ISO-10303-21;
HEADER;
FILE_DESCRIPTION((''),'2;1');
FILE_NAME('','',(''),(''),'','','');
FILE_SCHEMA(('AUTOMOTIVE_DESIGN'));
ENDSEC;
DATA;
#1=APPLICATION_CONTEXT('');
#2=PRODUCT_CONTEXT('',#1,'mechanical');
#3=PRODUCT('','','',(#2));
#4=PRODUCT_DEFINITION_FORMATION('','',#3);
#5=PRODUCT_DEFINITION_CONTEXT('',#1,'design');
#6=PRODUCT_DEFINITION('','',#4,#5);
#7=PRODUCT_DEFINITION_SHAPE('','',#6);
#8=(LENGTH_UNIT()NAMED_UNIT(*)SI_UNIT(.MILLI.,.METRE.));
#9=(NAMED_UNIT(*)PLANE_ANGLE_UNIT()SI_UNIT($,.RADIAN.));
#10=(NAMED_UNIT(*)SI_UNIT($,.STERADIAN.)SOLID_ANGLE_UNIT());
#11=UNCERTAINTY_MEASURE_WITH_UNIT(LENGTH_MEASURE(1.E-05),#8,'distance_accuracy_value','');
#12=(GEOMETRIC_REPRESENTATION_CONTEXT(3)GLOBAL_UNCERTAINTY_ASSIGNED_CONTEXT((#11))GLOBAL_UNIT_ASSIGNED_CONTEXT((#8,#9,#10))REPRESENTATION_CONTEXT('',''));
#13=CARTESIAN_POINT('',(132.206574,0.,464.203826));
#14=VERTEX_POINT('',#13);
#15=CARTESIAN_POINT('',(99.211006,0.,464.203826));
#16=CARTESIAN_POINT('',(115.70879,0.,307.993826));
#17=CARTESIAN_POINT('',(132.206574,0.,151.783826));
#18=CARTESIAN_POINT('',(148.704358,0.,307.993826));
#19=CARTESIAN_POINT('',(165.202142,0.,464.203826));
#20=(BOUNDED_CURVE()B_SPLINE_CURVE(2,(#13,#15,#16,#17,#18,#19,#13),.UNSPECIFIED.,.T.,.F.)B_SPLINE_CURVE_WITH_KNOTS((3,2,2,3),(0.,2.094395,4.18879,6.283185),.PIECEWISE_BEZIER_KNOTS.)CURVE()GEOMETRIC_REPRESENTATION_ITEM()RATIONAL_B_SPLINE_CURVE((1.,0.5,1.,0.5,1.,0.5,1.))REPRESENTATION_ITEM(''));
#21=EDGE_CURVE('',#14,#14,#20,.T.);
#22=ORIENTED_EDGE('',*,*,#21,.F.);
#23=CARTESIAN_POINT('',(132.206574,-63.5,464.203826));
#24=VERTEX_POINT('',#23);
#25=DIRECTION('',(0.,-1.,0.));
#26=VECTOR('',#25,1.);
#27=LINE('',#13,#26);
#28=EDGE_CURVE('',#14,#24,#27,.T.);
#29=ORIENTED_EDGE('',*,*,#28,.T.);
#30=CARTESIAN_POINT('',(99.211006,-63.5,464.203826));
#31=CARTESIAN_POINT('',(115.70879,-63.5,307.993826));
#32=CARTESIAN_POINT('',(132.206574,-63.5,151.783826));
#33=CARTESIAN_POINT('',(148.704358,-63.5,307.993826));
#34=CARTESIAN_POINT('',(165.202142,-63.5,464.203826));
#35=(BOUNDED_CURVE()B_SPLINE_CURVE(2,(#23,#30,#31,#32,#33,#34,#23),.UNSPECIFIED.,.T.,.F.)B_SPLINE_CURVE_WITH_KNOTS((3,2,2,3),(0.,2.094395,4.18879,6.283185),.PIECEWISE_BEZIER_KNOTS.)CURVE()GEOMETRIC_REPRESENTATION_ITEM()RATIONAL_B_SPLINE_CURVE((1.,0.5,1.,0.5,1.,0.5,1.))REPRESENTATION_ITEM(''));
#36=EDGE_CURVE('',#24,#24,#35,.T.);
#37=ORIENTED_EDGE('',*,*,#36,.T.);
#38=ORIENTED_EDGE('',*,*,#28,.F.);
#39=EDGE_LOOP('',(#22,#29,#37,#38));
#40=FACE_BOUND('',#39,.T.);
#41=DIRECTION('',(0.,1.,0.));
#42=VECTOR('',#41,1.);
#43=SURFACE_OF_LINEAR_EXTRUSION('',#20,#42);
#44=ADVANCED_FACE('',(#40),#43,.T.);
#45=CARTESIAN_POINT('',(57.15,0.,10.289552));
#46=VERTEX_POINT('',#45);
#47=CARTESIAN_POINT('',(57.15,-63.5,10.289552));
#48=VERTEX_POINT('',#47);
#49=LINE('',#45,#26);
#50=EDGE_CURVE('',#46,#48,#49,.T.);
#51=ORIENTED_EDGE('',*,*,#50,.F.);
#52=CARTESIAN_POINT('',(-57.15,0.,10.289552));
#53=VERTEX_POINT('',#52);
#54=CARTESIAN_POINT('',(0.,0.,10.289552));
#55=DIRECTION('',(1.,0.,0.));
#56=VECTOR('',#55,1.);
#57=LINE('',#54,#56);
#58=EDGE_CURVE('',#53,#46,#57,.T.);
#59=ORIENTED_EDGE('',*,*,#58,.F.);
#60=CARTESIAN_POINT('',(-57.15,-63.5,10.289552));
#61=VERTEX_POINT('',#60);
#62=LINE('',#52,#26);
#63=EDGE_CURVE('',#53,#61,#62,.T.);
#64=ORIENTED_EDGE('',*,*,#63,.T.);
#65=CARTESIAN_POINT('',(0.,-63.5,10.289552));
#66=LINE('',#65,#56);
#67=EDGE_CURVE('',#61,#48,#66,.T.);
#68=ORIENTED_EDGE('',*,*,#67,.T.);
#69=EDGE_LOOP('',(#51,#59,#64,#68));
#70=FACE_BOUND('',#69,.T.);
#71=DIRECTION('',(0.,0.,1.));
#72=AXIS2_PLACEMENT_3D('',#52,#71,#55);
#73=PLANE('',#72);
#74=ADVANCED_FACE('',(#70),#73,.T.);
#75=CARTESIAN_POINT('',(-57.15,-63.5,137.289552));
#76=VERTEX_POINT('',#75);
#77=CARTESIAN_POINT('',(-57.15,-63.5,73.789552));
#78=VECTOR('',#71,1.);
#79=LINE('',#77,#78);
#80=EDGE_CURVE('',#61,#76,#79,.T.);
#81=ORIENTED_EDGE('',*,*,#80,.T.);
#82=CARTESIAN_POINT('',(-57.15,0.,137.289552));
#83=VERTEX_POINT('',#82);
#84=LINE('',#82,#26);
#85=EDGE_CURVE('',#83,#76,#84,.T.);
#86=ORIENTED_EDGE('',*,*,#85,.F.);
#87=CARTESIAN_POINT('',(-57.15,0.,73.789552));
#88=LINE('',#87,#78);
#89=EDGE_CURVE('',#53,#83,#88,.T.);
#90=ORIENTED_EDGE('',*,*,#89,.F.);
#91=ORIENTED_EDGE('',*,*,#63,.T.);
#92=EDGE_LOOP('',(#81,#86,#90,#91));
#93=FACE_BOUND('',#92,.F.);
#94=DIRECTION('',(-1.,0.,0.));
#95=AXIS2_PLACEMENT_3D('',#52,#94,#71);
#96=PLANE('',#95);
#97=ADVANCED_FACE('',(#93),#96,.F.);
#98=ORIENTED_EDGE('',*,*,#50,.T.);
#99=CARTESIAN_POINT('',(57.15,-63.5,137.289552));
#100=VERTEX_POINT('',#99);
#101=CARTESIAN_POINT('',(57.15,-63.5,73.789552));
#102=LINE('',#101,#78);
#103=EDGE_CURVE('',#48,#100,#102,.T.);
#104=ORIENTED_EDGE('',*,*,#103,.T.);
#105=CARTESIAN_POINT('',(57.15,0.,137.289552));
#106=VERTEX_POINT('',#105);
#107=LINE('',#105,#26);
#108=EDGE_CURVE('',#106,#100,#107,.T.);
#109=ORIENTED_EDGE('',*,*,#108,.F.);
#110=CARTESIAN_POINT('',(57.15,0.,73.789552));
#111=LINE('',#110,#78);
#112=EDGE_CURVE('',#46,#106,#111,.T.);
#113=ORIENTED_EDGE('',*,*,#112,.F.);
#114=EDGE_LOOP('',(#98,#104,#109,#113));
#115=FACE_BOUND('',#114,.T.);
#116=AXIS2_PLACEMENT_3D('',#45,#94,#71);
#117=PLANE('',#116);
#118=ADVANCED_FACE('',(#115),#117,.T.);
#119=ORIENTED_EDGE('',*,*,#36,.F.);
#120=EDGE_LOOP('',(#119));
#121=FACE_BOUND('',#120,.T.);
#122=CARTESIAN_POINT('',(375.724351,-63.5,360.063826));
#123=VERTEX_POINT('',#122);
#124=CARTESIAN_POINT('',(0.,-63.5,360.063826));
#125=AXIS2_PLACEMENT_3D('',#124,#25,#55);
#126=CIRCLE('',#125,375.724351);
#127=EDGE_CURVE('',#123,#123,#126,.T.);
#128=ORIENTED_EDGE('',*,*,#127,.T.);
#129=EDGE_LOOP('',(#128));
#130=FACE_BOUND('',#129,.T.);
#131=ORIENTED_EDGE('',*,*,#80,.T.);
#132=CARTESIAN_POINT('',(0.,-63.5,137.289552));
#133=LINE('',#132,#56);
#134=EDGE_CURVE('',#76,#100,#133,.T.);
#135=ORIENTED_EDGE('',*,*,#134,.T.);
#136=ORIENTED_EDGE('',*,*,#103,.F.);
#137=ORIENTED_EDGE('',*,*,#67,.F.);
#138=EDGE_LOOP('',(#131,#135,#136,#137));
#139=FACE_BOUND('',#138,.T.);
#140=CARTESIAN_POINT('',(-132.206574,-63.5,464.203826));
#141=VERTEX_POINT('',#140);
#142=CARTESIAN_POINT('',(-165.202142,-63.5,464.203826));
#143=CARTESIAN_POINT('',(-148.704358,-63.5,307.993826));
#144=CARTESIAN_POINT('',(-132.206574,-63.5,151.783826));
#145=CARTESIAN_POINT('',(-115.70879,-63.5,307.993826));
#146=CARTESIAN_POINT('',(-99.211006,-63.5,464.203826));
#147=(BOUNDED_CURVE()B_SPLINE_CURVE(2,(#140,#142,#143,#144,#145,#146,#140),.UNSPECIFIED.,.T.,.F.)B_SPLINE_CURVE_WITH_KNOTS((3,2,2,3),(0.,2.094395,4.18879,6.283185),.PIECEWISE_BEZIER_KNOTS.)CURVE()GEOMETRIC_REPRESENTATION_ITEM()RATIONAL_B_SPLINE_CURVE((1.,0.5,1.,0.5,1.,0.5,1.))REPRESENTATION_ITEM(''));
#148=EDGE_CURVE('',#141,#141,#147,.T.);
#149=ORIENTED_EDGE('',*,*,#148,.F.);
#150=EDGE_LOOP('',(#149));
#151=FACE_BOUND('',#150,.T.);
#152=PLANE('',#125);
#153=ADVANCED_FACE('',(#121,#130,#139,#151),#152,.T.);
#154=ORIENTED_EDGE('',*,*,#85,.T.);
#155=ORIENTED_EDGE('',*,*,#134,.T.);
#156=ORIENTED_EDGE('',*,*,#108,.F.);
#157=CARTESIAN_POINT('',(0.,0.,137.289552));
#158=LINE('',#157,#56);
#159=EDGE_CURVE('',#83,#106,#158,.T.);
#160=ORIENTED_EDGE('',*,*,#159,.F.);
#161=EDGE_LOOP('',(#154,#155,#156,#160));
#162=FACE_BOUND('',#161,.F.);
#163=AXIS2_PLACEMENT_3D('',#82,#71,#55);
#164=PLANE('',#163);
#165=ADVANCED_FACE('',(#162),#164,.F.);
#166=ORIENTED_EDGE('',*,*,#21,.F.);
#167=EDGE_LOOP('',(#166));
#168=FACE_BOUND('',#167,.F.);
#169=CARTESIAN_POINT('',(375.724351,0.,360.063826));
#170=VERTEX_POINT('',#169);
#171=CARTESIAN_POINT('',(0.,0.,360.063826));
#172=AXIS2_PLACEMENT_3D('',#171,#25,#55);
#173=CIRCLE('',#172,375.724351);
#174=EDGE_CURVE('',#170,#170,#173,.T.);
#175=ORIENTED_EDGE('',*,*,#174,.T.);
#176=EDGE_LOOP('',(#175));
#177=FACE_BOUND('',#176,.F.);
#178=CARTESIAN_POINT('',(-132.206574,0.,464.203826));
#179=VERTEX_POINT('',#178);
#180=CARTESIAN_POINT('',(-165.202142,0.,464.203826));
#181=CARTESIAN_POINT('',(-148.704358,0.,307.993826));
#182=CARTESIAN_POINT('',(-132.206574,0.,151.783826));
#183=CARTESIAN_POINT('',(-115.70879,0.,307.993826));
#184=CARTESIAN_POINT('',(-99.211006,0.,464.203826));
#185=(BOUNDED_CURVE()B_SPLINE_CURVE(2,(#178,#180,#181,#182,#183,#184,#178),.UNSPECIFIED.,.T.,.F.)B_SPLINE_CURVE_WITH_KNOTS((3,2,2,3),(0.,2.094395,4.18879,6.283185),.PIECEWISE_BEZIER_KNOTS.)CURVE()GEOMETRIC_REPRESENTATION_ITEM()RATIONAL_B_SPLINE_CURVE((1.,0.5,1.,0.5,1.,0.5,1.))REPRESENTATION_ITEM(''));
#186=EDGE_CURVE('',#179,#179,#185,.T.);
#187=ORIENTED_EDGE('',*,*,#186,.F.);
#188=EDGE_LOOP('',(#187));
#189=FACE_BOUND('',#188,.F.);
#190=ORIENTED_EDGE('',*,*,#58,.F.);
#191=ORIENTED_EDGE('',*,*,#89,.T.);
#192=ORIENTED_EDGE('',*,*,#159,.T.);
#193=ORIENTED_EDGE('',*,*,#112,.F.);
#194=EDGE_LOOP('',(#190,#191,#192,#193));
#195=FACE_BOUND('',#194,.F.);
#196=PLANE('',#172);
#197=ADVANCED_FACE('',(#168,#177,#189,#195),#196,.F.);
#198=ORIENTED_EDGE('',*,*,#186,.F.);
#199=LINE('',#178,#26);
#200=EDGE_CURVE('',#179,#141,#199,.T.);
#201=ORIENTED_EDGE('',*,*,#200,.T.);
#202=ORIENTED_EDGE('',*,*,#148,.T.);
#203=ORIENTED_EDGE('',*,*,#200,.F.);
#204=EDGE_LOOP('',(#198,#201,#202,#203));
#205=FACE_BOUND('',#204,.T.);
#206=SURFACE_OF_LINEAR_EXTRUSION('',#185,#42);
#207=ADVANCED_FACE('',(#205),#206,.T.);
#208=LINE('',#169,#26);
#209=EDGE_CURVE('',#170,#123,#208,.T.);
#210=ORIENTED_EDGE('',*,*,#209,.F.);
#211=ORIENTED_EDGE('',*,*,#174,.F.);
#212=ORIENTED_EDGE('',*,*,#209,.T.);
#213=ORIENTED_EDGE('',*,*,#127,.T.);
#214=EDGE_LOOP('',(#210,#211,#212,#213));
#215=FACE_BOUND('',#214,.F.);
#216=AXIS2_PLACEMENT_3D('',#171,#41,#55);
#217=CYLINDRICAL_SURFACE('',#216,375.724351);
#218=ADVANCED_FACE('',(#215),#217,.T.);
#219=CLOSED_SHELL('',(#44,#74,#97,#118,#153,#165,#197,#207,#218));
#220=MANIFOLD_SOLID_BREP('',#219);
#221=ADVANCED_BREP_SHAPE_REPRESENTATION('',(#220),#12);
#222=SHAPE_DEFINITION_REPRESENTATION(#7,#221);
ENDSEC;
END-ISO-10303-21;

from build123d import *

# Parameters (mm, degrees)
F0_R     = 375.724351
F0_W     = 114.3
F0_H     = 127
F1_DEPTH = 63.5


with BuildPart() as f1:
    # F0 (on Front) → F1 (new body)
    with BuildSketch(Plane.XZ):
        with Locations((0, 360.063826)):
            Circle(F0_R)
        with Locations((0, 73.789552)):
            Rectangle(F0_W, F0_H, mode=Mode.SUBTRACT)
        with BuildLine():
            add(Edge.make_bspline(
                [(-132.206574, 464.203826), (-165.202142, 464.203826), (-148.704358, 307.993826), (-132.206574, 151.783826), (-115.70879, 307.993826), (-99.211006, 464.203826), (-132.206574, 464.203826)],
                knots=[0, 0, 0, 2.094395, 2.094395, 4.18879, 4.18879, 6.283185, 6.283185, 6.283185], degree=2, weights=[1, 0.5, 1, 0.5, 1, 0.5, 1]))
        make_face(mode=Mode.SUBTRACT)
        with BuildLine():
            add(Edge.make_bspline(
                [(132.206574, 464.203826), (99.211006, 464.203826), (115.70879, 307.993826), (132.206574, 151.783826), (148.704358, 307.993826), (165.202142, 464.203826), (132.206574, 464.203826)],
                knots=[0, 0, 0, 2.094395, 2.094395, 4.18879, 4.18879, 6.283185, 6.283185, 6.283185], degree=2, weights=[1, 0.5, 1, 0.5, 1, 0.5, 1]))
        make_face(mode=Mode.SUBTRACT)
    extrude(amount=F1_DEPTH)


solid = f1.part
